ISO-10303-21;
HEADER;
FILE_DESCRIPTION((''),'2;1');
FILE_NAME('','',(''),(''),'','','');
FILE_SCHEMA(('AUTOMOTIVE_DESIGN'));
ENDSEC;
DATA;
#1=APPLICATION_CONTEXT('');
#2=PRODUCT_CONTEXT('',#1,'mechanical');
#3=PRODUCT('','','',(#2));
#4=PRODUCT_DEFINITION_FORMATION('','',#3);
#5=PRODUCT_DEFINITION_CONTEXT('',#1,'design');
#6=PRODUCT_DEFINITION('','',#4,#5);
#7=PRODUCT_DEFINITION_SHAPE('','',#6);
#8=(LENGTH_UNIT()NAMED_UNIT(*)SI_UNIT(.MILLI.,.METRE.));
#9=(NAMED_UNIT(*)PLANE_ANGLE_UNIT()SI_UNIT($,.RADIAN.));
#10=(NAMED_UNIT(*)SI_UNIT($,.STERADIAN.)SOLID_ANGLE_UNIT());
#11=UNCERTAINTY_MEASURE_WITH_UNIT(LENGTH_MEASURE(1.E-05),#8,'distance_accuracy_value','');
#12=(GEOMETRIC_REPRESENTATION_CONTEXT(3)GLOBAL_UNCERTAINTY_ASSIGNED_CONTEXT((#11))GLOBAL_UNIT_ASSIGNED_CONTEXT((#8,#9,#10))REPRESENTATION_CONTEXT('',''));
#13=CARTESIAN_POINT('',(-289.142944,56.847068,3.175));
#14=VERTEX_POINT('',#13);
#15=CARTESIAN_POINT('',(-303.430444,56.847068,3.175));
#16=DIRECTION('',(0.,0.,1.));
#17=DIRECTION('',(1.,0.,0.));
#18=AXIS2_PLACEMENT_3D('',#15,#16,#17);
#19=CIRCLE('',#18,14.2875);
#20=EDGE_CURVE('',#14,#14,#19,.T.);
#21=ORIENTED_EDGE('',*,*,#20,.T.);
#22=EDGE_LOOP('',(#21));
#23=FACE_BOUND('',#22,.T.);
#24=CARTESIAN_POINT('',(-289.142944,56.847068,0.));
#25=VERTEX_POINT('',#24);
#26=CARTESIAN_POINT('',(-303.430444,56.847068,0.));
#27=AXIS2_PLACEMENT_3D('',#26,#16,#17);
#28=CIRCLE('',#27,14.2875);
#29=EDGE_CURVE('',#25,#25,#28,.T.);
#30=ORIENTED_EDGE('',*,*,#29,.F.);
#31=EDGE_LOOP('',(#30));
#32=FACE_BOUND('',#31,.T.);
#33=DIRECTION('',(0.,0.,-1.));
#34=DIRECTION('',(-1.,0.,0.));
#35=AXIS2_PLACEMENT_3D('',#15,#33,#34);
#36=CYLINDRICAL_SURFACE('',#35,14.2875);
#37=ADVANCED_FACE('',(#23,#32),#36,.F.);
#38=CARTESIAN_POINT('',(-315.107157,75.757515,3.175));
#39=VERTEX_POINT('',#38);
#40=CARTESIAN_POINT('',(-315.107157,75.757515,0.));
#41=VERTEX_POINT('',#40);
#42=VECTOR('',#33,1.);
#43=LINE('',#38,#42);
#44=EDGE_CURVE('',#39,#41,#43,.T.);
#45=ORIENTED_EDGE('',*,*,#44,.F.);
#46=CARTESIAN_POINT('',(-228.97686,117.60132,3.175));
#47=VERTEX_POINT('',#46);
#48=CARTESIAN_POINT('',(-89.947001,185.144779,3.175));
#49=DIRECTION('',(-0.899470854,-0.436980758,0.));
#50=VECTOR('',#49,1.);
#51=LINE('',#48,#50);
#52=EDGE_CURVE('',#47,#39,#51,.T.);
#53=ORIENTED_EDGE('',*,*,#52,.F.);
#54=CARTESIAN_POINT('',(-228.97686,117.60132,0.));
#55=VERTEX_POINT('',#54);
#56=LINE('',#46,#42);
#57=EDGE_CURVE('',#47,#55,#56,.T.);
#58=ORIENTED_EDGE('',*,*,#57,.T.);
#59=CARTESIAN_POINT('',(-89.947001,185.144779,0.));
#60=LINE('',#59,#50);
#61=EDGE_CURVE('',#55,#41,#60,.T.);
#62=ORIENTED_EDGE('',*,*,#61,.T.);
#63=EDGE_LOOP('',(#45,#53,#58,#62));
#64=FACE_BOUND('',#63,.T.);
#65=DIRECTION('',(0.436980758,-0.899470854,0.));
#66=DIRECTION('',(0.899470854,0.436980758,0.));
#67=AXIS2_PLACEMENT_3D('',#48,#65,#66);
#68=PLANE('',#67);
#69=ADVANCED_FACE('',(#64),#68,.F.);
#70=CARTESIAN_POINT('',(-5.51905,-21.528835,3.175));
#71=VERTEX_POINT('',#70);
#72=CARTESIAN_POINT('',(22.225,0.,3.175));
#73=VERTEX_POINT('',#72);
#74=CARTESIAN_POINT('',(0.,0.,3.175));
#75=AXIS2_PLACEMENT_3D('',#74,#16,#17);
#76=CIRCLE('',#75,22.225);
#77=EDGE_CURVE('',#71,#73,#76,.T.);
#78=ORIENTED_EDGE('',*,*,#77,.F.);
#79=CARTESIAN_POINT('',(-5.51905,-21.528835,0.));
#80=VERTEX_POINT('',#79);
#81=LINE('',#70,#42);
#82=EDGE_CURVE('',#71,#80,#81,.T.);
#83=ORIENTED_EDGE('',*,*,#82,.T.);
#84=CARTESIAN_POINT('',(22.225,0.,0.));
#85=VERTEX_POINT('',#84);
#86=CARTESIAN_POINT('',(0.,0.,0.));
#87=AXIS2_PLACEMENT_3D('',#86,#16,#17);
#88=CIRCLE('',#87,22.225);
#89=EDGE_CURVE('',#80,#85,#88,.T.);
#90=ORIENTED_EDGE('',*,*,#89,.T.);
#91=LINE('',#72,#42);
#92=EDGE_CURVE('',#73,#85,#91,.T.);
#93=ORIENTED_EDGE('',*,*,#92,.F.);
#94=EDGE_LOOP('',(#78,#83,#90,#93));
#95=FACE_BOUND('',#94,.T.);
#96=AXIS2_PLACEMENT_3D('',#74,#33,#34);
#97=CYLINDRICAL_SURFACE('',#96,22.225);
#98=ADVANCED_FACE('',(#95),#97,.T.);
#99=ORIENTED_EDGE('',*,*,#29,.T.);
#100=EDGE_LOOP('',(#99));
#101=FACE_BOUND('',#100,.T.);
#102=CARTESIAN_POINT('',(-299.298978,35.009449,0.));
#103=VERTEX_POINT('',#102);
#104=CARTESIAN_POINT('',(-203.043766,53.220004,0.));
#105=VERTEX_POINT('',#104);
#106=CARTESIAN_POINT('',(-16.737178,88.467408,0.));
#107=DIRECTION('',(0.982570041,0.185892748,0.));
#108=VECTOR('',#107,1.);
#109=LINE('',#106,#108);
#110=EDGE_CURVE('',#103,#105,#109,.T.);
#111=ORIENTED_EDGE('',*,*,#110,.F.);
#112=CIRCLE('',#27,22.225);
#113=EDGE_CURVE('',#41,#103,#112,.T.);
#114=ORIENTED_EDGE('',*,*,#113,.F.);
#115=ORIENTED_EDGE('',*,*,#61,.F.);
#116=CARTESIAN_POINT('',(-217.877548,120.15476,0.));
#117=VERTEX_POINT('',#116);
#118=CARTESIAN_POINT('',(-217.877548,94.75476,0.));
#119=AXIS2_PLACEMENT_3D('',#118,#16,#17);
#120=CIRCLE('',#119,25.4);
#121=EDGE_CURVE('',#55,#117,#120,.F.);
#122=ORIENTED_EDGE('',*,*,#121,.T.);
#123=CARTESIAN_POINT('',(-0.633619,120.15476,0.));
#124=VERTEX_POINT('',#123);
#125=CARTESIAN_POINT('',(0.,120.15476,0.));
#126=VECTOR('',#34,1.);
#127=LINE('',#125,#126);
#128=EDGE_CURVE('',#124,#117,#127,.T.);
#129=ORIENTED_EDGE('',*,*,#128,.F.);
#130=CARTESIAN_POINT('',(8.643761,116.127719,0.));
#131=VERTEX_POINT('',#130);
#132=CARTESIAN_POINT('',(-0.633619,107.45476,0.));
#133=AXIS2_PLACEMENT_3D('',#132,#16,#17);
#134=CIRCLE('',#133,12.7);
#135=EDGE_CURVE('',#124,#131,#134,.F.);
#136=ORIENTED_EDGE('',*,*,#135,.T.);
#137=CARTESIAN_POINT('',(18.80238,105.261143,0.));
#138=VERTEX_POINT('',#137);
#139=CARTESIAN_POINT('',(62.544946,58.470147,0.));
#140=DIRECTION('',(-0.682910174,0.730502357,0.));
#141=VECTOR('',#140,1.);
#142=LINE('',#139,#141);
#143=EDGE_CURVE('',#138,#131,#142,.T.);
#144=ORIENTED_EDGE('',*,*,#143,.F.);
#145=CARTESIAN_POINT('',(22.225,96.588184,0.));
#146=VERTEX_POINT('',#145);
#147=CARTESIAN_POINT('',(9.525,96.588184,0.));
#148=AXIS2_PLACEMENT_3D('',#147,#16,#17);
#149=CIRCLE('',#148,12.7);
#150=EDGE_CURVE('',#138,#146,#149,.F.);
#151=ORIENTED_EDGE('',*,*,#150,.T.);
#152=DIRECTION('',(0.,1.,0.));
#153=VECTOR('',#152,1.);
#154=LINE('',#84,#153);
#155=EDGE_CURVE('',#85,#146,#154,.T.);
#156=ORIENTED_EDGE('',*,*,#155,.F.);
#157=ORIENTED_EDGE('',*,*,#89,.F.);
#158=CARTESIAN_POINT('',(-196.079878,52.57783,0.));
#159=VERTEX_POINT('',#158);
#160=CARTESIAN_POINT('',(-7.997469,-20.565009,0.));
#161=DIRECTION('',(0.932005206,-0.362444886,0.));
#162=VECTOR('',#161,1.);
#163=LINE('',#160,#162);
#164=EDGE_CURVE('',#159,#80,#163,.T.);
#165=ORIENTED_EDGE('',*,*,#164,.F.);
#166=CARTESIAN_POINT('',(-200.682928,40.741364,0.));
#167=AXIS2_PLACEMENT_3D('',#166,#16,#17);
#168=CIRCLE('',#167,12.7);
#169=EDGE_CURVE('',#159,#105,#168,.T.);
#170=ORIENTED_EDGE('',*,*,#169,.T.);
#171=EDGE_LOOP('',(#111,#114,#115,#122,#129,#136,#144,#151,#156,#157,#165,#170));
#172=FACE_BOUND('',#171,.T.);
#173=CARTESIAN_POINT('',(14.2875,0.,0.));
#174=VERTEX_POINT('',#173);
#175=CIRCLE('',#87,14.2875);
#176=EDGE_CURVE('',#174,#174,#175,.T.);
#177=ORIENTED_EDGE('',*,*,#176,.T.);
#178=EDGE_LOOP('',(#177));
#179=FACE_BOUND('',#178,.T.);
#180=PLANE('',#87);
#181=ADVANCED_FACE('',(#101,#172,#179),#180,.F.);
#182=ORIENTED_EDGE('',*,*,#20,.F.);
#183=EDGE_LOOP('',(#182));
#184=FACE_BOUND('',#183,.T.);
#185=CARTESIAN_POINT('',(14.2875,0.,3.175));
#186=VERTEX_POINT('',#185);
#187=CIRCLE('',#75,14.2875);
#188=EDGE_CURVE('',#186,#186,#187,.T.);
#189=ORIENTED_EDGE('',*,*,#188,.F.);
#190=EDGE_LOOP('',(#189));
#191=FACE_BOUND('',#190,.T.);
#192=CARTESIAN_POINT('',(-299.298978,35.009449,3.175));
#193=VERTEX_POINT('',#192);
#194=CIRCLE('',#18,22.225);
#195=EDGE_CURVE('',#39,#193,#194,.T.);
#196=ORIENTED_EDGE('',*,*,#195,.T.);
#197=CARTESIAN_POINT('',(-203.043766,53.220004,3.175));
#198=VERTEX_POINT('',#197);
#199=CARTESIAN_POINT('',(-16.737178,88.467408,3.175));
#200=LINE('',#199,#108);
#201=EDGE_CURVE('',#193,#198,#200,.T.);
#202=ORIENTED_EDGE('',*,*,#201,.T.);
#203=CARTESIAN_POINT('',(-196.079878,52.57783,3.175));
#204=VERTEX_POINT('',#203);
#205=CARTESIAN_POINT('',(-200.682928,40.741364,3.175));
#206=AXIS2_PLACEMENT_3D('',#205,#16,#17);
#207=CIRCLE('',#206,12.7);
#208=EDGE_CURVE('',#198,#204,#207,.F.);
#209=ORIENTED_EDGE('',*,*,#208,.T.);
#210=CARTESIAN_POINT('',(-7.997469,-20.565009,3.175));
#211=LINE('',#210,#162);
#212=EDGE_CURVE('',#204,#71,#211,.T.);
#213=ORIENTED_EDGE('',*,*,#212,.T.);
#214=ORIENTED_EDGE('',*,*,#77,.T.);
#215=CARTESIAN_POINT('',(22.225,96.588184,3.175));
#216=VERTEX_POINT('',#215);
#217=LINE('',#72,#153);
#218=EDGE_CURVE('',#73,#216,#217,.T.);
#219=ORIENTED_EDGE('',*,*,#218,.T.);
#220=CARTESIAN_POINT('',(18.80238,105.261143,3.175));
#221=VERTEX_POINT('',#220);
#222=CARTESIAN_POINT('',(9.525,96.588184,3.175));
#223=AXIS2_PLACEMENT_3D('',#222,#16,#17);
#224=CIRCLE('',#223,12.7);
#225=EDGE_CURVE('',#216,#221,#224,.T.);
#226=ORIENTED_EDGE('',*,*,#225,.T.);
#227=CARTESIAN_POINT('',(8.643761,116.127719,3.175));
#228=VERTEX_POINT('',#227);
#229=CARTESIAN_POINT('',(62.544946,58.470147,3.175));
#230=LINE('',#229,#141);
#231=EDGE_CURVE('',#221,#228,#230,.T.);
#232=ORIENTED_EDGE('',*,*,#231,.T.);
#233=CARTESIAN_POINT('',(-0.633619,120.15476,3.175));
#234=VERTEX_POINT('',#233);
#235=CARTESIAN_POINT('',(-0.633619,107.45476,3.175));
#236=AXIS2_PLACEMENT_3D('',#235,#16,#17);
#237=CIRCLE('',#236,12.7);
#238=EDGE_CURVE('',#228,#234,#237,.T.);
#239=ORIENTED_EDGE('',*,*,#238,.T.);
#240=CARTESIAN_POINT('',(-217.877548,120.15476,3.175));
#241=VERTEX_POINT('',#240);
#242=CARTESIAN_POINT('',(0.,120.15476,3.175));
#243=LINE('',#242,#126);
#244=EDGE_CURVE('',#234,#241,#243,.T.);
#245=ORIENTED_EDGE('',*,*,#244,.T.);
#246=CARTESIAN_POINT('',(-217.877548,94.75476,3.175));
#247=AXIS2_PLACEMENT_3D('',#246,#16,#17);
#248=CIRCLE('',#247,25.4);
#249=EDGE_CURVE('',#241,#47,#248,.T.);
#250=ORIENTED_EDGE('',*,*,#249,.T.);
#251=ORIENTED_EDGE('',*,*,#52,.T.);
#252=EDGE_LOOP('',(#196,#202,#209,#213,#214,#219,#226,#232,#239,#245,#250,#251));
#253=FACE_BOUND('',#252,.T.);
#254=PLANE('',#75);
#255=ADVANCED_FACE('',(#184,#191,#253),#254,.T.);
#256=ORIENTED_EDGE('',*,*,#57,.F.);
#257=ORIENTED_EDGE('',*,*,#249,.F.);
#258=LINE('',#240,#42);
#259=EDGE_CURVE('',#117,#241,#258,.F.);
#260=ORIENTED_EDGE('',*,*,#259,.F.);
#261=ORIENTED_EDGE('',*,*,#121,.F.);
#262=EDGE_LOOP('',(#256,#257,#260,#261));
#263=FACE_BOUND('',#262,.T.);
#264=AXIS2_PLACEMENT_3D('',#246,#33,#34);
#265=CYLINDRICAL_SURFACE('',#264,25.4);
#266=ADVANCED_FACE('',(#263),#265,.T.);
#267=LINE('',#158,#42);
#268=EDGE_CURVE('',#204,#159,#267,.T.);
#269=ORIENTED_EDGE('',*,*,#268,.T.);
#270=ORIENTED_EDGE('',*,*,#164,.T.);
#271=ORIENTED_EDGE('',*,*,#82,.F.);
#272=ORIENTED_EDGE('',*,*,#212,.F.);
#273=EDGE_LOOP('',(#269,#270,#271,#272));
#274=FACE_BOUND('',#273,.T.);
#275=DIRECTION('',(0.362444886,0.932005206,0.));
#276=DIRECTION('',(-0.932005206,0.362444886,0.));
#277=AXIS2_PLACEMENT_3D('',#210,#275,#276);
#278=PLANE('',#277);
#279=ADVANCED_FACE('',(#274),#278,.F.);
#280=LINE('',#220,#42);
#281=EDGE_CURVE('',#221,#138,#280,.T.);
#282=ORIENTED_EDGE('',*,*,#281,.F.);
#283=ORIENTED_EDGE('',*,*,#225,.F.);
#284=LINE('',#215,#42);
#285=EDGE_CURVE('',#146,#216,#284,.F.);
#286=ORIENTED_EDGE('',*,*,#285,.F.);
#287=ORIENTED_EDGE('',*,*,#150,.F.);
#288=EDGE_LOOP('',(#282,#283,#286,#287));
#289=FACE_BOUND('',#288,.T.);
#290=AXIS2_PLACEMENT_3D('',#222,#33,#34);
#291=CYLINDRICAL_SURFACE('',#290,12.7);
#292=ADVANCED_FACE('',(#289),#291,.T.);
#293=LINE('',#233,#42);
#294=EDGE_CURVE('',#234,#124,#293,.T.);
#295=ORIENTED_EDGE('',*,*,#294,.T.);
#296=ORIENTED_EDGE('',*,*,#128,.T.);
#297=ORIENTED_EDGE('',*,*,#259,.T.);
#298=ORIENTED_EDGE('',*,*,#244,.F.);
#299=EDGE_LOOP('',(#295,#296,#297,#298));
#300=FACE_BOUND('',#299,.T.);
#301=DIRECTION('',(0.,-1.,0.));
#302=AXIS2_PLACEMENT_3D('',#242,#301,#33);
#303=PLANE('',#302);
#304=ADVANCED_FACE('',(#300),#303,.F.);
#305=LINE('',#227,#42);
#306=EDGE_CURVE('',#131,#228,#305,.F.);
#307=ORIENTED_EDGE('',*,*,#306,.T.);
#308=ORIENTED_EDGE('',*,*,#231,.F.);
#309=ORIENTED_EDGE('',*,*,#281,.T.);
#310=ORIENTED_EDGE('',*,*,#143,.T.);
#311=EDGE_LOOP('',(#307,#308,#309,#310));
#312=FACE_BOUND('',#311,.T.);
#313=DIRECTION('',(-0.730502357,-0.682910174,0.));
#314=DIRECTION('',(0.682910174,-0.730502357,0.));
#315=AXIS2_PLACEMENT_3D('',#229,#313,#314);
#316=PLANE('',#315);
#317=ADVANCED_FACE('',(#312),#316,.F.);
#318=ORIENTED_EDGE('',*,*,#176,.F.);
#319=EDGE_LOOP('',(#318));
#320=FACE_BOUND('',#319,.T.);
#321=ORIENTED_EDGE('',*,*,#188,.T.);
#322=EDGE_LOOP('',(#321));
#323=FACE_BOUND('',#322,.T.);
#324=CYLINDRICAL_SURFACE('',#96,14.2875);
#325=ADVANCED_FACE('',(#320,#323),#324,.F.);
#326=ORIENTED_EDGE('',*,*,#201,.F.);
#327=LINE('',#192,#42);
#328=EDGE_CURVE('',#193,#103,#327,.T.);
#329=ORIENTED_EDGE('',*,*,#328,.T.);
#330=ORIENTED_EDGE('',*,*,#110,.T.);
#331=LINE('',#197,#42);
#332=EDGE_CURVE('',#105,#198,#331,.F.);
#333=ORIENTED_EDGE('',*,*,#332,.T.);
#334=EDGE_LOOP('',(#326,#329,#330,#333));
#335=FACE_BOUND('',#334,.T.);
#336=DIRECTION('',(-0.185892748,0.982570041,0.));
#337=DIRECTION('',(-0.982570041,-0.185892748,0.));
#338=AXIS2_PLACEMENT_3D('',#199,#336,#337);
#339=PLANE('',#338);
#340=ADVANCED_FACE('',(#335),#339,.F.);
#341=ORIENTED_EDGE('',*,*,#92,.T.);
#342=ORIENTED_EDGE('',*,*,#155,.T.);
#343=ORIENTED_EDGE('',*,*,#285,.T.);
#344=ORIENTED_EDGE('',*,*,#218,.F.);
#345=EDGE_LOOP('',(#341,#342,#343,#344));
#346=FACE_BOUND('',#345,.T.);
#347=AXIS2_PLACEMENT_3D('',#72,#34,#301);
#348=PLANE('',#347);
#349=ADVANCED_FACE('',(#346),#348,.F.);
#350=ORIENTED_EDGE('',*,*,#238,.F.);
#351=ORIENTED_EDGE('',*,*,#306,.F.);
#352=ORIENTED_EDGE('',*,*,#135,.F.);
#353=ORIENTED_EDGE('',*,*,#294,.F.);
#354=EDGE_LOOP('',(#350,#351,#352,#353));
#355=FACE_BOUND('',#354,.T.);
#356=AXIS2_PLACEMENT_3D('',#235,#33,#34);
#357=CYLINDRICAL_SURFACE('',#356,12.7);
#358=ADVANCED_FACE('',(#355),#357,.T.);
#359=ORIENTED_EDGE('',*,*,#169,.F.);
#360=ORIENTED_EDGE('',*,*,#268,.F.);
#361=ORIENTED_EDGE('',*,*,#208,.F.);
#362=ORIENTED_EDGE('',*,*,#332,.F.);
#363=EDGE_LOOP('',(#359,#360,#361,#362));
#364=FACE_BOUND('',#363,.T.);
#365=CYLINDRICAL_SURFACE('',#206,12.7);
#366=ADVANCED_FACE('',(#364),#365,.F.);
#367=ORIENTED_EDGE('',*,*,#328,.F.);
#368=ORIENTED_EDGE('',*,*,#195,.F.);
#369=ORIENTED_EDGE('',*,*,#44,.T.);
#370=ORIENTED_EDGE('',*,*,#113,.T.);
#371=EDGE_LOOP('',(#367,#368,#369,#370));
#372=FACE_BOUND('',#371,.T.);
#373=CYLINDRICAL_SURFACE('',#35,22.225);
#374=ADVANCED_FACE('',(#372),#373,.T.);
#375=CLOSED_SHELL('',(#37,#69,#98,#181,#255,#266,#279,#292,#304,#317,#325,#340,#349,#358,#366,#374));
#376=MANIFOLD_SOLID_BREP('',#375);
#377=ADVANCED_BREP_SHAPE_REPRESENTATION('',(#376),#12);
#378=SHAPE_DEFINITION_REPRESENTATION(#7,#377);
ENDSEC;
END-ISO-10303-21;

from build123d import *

# Parameters (mm, degrees)
SKETCH1_R           = 14.2875
BOSS_EXTRUDE1_DEPTH = 3.175
FILLET1_R           = 12.7
FILLET2_R           = 25.4
FILLET3_R           = 12.7
FILLET4_R           = 12.7


with BuildPart() as part:
    # Sketch1 → Boss-Extrude1 (new body)
    with BuildSketch(Plane.XY):
        with BuildLine():
            ThreePointArc((-5.519049503, -21.528834562), (13.625155959, -17.558637479), (22.225, 0))
            Line((22.225, 0), (22.225, 101.6))
            Line((22.225, 101.6), (4.879081578, 120.154759877))
            Line((4.879081578, 120.154759877), (-223.720918422, 120.154759877))
            Line((-223.720918422, 120.154759877), (-311.078676661, 77.714630478))
            Line((-311.078676661, 77.714630478), (-315.107157175, 75.757514845))
            ThreePointArc((-315.107157175, 75.757514845), (-324.150818676, 48.808615563), (-299.298978098, 35.009448714))
            Line((-299.298978098, 35.009448714), (-199.469861892, 53.896151905))
            Line((-199.469861892, 53.896151905), (-5.519049503, -21.528834562))
        make_face()
        Circle(SKETCH1_R, mode=Mode.SUBTRACT)
        with Locations((-303.430444421, 56.847067884)):
            Circle(SKETCH1_R, mode=Mode.SUBTRACT)
    extrude(amount=BOSS_EXTRUDE1_DEPTH)

    # Fillet1
    fillet1_edges = [part.edges().sort_by_distance(p)[0] for p in [
        (-199.469861892, 53.896151905, 1.5875),
    ]]
    fillet(fillet1_edges, radius=FILLET1_R)

    # Fillet2
    fillet2_edges = [part.edges().sort_by_distance(p)[0] for p in [
        (-223.720918422, 120.154759877, 1.5875),
    ]]
    fillet(fillet2_edges, radius=FILLET2_R)

    # Fillet3
    fillet3_edges = [part.edges().sort_by_distance(p)[0] for p in [
        (22.225, 101.6, 1.5875),
    ]]
    fillet(fillet3_edges, radius=FILLET3_R)

    # Fillet4
    fillet4_edges = [part.edges().sort_by_distance(p)[0] for p in [
        (4.879081578, 120.154759877, 1.5875),
    ]]
    fillet(fillet4_edges, radius=FILLET4_R)


solid = part.part
